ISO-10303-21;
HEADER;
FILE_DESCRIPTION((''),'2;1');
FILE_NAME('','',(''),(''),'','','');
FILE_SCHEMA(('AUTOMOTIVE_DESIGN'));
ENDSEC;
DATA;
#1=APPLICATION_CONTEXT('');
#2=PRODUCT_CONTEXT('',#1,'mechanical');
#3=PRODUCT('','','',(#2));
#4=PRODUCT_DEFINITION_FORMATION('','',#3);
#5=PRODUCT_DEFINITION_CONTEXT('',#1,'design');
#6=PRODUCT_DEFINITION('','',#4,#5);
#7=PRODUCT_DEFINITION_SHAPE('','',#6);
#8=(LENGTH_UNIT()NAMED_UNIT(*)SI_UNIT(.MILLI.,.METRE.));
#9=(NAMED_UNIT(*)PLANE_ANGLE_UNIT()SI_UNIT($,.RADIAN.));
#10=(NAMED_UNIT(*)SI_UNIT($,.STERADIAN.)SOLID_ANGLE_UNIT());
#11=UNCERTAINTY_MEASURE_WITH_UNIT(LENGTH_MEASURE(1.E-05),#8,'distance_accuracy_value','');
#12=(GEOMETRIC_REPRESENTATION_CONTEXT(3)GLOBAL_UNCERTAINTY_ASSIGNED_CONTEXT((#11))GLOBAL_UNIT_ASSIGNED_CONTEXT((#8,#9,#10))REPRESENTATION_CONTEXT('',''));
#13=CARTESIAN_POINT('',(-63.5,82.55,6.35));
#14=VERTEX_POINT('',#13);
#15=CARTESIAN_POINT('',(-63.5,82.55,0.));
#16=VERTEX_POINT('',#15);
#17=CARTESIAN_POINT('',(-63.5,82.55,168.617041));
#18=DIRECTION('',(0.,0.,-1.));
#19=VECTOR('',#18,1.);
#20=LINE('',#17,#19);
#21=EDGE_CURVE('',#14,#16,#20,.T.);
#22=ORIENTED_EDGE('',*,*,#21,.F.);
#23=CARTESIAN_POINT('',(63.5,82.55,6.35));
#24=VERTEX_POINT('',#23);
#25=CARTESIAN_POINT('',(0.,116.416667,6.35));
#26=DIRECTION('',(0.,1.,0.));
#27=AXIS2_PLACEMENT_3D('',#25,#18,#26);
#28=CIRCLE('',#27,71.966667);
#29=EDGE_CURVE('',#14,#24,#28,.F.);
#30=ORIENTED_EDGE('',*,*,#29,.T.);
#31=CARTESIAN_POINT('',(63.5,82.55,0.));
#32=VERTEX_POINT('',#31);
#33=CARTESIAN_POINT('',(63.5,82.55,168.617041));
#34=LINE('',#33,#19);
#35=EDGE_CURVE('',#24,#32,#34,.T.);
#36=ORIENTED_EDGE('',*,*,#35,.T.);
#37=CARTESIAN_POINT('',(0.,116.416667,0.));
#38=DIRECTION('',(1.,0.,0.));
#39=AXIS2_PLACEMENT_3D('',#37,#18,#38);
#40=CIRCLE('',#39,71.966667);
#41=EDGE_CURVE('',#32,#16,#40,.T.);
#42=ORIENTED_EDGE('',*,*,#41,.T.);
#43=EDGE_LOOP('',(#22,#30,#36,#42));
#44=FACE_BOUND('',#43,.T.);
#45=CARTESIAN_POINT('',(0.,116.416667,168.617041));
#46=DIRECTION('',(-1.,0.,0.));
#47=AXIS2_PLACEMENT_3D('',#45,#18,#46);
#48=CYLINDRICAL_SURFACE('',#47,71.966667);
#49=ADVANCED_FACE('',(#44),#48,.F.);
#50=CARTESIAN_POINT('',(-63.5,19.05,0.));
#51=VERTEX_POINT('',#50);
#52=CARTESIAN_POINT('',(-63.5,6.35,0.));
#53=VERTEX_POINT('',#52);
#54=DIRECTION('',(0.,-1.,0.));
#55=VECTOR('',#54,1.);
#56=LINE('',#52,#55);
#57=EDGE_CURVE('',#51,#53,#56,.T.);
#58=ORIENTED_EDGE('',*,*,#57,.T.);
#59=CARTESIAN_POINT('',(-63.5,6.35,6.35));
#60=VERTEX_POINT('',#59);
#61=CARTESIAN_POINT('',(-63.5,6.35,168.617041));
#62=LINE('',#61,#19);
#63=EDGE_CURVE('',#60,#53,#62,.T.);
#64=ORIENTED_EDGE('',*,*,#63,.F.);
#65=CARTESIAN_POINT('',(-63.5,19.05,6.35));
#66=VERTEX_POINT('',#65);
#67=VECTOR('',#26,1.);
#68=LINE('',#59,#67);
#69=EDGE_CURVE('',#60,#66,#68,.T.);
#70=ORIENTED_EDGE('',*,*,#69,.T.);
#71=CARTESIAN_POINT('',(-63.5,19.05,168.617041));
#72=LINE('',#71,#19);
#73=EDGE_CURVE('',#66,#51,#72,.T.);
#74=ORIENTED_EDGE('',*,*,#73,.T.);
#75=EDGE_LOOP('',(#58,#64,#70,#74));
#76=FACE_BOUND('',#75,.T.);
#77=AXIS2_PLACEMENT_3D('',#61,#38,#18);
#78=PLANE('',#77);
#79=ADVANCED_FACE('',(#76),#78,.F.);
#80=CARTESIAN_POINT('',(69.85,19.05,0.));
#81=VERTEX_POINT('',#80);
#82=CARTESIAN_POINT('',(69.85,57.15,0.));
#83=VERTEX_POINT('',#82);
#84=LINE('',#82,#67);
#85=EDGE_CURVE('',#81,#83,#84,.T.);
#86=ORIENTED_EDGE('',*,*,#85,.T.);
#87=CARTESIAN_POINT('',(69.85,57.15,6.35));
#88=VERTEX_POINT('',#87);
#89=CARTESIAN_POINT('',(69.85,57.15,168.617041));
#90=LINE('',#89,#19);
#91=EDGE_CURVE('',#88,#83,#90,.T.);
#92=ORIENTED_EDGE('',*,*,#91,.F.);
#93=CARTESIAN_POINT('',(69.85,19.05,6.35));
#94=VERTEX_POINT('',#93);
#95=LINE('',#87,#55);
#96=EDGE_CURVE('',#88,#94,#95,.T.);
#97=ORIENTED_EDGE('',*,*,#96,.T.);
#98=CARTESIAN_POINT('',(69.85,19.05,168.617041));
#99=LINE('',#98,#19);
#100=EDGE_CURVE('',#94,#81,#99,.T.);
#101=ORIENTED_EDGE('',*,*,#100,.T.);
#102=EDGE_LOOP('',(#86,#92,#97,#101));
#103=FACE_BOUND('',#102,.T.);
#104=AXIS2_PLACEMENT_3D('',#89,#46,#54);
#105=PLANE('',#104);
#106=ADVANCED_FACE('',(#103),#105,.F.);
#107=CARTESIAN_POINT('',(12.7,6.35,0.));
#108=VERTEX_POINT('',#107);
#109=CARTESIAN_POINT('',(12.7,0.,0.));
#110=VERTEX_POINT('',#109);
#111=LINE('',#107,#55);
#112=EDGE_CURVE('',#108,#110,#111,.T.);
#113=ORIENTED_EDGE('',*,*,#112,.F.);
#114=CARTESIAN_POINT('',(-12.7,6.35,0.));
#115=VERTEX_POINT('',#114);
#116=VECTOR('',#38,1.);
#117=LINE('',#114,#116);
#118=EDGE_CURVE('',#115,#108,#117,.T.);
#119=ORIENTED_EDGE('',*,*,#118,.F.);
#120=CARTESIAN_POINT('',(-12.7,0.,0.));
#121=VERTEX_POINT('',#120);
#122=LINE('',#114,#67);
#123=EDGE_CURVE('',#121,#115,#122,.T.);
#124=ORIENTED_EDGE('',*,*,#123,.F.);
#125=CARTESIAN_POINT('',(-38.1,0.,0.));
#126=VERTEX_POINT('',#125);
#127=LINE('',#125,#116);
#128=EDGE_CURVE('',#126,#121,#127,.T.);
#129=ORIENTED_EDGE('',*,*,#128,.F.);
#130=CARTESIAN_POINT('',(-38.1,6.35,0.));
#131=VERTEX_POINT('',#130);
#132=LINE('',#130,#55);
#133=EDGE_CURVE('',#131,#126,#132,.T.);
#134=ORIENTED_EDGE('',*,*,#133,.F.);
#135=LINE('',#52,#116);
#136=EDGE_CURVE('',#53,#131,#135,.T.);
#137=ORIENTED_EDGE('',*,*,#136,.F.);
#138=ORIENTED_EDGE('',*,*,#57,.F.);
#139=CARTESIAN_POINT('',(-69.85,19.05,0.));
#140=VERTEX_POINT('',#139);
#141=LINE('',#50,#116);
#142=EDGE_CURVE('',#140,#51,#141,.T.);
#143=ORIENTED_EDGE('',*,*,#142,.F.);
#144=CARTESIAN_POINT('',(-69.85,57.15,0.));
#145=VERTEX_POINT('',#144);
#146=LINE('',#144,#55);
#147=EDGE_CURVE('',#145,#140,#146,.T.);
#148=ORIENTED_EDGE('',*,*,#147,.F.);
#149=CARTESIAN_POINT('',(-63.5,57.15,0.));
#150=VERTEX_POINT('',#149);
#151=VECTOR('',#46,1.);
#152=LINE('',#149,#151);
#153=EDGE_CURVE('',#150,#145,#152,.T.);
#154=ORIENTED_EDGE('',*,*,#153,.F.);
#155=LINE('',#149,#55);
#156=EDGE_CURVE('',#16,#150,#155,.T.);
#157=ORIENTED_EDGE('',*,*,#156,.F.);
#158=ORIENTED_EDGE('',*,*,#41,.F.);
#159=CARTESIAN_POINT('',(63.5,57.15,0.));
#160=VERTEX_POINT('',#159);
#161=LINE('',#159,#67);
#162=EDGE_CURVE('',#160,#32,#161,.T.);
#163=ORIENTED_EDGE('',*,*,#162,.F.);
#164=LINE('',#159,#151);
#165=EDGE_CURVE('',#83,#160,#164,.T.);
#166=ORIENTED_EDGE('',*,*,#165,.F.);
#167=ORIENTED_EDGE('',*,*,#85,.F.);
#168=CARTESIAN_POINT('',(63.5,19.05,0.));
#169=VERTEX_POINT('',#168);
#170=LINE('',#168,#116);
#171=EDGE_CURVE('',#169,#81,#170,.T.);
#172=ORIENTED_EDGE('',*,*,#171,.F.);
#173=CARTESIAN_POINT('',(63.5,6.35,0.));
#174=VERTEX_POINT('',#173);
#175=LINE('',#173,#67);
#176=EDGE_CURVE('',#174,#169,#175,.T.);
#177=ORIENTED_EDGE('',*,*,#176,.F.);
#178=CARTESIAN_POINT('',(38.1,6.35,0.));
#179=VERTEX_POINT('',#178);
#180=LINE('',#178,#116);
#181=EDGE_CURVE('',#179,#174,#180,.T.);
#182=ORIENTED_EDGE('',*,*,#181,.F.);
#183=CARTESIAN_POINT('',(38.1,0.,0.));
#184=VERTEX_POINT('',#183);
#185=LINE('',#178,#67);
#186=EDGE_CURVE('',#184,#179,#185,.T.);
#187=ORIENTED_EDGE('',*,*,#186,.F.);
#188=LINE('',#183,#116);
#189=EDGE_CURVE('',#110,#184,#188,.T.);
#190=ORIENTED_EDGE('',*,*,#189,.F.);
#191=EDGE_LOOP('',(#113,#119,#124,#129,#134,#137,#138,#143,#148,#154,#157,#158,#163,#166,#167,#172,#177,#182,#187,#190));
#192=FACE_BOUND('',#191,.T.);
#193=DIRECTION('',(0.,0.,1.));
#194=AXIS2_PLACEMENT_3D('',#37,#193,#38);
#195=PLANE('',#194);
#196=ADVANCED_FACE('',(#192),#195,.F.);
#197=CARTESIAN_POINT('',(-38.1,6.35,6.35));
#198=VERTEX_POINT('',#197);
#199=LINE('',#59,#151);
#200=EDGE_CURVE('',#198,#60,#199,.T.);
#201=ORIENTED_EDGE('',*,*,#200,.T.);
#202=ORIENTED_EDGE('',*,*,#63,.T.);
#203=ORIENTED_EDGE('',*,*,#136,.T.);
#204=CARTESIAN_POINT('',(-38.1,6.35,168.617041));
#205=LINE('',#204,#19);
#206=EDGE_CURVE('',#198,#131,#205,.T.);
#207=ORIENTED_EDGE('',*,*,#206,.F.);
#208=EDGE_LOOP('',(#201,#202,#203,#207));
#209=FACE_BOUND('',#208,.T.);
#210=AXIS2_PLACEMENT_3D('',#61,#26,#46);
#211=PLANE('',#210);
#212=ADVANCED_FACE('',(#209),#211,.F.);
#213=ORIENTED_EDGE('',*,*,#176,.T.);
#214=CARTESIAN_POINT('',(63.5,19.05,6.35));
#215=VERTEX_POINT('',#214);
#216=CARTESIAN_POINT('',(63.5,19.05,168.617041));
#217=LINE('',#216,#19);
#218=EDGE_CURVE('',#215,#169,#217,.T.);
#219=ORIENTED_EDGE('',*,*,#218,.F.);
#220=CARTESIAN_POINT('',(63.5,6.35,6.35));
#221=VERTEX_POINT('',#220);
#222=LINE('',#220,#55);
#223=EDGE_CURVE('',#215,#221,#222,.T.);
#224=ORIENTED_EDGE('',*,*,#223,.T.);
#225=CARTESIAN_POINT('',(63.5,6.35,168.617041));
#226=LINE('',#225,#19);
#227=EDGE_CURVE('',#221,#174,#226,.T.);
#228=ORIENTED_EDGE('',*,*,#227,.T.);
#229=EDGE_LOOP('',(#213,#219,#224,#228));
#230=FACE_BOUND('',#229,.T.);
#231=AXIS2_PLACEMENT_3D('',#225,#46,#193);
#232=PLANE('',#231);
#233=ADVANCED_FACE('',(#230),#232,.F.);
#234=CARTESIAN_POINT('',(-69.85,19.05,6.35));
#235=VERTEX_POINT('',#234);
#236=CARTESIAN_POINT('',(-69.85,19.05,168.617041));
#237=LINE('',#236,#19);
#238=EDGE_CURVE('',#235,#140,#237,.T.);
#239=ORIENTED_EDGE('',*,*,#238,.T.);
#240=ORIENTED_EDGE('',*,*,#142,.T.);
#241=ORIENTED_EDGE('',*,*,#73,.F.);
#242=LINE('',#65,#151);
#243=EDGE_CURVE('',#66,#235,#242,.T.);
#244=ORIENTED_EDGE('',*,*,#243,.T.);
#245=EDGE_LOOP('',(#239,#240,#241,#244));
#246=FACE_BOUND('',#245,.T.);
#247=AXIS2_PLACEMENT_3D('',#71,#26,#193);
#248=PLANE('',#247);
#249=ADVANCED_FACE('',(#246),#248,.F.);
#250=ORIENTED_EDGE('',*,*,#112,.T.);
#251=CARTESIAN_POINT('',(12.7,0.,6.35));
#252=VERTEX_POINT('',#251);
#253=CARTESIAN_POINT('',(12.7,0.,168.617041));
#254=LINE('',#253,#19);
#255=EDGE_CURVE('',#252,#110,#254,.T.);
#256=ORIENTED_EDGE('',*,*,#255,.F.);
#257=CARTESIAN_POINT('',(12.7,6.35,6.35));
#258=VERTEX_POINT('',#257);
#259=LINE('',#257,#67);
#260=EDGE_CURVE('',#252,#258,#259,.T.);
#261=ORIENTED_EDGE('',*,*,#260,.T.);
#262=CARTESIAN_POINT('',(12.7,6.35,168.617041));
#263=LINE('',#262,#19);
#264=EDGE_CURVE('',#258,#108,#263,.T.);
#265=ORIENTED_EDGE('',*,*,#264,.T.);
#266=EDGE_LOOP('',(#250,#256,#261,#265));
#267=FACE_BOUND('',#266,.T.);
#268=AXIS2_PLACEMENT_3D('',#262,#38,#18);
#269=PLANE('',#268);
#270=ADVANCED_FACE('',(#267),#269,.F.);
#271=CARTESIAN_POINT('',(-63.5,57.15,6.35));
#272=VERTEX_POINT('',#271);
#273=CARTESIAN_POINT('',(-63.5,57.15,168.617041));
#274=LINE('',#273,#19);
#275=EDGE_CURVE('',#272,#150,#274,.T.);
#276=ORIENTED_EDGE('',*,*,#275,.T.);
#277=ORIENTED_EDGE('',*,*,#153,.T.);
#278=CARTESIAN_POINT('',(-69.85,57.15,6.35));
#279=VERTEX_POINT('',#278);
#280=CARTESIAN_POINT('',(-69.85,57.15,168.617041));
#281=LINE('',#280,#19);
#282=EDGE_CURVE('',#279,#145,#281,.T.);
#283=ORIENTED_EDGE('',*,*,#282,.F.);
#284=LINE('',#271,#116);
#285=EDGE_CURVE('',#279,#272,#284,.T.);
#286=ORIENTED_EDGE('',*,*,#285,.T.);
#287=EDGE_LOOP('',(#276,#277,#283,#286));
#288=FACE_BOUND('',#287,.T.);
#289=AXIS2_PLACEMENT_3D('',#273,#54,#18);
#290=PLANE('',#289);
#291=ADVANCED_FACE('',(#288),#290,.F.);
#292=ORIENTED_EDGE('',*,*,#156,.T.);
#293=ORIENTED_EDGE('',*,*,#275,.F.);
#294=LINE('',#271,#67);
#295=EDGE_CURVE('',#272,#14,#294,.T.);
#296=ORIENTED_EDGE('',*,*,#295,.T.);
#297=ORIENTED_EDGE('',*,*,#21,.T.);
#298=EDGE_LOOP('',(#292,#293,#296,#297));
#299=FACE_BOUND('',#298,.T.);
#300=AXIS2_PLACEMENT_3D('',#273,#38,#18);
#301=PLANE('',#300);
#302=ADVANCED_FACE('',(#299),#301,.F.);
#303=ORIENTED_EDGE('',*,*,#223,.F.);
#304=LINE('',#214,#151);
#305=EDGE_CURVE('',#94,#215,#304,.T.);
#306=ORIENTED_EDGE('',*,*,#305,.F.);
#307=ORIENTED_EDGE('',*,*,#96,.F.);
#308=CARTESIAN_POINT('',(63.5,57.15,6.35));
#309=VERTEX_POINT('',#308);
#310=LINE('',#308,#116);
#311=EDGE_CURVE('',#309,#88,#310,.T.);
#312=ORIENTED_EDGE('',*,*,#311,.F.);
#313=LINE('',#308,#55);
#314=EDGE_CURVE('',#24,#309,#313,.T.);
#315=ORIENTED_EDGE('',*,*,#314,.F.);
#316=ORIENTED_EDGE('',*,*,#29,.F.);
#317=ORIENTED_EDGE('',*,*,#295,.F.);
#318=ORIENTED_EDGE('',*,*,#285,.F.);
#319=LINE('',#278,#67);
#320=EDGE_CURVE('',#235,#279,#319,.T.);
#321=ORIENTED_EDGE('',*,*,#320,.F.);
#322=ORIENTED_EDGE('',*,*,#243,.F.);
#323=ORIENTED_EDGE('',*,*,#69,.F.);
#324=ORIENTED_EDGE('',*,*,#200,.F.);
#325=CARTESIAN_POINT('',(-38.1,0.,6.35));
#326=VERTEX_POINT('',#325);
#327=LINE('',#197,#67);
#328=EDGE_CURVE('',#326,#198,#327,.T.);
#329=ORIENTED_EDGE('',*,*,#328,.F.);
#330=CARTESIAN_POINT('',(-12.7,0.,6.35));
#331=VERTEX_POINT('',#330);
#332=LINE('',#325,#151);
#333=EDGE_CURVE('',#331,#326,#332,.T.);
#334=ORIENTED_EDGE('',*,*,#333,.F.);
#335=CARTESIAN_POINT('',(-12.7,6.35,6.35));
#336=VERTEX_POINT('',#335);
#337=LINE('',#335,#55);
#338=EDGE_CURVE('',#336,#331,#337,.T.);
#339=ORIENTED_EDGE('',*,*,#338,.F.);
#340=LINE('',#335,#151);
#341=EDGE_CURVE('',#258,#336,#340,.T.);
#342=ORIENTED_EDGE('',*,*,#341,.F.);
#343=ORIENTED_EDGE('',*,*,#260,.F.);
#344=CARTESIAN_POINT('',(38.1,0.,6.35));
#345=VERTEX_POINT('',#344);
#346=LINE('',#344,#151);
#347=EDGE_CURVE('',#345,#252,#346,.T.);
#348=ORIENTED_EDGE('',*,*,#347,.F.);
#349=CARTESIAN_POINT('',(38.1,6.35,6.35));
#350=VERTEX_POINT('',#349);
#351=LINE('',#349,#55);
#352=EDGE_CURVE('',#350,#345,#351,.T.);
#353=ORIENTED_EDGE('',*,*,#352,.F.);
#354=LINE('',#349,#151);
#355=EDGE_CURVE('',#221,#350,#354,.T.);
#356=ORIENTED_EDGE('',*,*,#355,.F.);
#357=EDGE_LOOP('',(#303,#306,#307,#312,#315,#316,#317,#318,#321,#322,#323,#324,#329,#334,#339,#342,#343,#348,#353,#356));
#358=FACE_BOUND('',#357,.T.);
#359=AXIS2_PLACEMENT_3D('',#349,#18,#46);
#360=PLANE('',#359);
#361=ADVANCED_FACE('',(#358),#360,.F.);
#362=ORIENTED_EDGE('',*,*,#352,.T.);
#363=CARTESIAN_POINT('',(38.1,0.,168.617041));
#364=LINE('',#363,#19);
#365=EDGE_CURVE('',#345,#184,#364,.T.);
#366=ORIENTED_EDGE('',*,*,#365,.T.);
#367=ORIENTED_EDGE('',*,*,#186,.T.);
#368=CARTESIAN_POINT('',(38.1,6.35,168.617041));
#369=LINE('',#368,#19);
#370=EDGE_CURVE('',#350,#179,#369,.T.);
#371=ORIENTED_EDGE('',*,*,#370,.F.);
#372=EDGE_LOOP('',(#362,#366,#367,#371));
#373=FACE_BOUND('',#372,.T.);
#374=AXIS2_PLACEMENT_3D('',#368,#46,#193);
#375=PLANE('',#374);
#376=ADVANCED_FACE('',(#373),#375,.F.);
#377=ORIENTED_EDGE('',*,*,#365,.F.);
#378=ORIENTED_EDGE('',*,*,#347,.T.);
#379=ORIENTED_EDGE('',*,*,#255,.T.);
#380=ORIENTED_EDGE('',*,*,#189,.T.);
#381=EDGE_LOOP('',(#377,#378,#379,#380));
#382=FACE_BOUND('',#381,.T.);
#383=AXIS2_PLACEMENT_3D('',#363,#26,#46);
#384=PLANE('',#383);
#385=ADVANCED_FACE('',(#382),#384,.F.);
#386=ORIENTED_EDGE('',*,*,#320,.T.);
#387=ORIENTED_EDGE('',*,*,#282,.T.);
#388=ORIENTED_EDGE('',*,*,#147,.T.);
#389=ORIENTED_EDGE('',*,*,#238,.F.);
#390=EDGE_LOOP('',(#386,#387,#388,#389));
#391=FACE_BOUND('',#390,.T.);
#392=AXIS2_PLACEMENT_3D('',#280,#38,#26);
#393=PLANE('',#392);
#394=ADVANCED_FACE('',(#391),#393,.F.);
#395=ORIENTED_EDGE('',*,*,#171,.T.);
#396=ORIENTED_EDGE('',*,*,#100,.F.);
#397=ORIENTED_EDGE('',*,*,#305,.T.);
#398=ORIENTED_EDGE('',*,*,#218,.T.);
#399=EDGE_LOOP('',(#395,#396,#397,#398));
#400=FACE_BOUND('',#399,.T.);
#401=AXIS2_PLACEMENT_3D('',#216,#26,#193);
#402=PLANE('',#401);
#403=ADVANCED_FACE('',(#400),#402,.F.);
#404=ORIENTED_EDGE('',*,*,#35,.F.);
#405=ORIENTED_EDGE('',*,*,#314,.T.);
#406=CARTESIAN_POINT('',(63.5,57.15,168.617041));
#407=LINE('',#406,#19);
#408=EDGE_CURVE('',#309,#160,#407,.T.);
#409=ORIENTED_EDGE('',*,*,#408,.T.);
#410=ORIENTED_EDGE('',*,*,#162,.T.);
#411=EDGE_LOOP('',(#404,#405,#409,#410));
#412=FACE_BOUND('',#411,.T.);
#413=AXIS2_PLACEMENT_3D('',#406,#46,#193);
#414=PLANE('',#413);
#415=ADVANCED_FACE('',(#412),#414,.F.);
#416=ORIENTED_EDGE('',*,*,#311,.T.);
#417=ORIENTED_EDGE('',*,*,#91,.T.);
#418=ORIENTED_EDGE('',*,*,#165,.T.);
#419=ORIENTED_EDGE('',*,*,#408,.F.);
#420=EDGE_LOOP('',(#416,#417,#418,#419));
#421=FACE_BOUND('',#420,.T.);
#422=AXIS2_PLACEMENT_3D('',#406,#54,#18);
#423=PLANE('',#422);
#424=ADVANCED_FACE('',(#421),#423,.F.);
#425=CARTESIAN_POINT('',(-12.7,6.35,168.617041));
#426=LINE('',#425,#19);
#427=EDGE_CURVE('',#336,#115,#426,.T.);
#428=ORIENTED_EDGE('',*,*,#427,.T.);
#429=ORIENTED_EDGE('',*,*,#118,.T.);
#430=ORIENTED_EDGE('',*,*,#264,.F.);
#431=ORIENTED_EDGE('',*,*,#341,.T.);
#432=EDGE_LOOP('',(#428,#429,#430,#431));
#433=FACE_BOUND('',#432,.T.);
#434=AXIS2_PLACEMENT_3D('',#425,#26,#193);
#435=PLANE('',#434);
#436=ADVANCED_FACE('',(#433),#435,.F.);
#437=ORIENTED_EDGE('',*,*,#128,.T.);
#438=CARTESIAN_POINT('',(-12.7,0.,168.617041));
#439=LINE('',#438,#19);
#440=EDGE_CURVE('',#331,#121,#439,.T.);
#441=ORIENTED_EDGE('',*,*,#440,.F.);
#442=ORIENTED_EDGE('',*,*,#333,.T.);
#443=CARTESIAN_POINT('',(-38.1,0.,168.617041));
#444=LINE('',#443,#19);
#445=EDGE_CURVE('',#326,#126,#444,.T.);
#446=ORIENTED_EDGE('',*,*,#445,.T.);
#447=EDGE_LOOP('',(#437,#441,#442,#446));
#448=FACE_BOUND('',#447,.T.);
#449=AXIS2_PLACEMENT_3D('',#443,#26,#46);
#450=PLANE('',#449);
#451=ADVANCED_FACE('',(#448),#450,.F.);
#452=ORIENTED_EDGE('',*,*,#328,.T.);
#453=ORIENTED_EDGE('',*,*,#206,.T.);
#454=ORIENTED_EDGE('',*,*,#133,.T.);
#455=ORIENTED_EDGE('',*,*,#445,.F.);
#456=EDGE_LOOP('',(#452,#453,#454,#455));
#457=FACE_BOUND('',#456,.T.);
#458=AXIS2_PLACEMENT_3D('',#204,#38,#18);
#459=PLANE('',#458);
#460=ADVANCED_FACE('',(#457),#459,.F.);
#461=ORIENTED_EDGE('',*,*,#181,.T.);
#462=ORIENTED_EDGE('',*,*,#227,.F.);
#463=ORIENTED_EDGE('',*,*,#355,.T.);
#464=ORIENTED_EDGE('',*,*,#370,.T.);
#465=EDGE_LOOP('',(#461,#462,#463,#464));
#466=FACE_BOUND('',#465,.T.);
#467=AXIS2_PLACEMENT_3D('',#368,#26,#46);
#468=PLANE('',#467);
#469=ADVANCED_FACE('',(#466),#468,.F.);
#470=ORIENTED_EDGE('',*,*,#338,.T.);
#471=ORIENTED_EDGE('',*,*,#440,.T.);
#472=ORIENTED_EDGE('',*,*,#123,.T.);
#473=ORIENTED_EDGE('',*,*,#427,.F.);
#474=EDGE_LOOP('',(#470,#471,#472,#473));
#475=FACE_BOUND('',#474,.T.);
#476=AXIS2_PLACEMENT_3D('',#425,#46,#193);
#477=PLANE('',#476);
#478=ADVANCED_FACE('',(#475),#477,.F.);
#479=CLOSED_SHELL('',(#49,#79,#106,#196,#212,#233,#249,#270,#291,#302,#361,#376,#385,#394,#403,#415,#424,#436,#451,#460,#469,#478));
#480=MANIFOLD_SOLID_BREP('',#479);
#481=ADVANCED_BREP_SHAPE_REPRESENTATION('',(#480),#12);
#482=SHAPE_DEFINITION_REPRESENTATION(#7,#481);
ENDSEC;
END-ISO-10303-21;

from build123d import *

# Parameters (mm, degrees)
BOSS_EXTRUDE1_DEPTH = 6.35


with BuildPart() as part:
    # Sketch1 → Boss-Extrude1 (new body)
    with BuildSketch(Plane.XY):
        with BuildLine():
            Line((63.5, 6.35), (63.5, 19.05))
            Line((63.5, 19.05), (69.85, 19.05))
            Line((69.85, 19.05), (69.85, 57.15))
            Line((69.85, 57.15), (63.5, 57.15))
            Line((63.5, 57.15), (63.5, 82.55))
            ThreePointArc((63.5, 82.55), (0, 44.45), (-63.5, 82.55))
            Line((-63.5, 82.55), (-63.5, 57.15))
            Line((-63.5, 57.15), (-69.85, 57.15))
            Line((-69.85, 57.15), (-69.85, 19.05))
            Line((-69.85, 19.05), (-63.5, 19.05))
            Line((-63.5, 19.05), (-63.5, 6.35))
            Line((-63.5, 6.35), (-38.1, 6.35))
            Line((-38.1, 6.35), (-38.1, 0))
            Line((-38.1, 0), (-12.7, 0))
            Line((-12.7, 0), (-12.7, 6.35))
            Line((-12.7, 6.35), (12.7, 6.35))
            Line((12.7, 6.35), (12.7, 0))
            Line((12.7, 0), (38.1, 0))
            Line((38.1, 0), (38.1, 6.35))
            Line((38.1, 6.35), (63.5, 6.35))
        make_face()
    extrude(amount=BOSS_EXTRUDE1_DEPTH)


solid = part.part
